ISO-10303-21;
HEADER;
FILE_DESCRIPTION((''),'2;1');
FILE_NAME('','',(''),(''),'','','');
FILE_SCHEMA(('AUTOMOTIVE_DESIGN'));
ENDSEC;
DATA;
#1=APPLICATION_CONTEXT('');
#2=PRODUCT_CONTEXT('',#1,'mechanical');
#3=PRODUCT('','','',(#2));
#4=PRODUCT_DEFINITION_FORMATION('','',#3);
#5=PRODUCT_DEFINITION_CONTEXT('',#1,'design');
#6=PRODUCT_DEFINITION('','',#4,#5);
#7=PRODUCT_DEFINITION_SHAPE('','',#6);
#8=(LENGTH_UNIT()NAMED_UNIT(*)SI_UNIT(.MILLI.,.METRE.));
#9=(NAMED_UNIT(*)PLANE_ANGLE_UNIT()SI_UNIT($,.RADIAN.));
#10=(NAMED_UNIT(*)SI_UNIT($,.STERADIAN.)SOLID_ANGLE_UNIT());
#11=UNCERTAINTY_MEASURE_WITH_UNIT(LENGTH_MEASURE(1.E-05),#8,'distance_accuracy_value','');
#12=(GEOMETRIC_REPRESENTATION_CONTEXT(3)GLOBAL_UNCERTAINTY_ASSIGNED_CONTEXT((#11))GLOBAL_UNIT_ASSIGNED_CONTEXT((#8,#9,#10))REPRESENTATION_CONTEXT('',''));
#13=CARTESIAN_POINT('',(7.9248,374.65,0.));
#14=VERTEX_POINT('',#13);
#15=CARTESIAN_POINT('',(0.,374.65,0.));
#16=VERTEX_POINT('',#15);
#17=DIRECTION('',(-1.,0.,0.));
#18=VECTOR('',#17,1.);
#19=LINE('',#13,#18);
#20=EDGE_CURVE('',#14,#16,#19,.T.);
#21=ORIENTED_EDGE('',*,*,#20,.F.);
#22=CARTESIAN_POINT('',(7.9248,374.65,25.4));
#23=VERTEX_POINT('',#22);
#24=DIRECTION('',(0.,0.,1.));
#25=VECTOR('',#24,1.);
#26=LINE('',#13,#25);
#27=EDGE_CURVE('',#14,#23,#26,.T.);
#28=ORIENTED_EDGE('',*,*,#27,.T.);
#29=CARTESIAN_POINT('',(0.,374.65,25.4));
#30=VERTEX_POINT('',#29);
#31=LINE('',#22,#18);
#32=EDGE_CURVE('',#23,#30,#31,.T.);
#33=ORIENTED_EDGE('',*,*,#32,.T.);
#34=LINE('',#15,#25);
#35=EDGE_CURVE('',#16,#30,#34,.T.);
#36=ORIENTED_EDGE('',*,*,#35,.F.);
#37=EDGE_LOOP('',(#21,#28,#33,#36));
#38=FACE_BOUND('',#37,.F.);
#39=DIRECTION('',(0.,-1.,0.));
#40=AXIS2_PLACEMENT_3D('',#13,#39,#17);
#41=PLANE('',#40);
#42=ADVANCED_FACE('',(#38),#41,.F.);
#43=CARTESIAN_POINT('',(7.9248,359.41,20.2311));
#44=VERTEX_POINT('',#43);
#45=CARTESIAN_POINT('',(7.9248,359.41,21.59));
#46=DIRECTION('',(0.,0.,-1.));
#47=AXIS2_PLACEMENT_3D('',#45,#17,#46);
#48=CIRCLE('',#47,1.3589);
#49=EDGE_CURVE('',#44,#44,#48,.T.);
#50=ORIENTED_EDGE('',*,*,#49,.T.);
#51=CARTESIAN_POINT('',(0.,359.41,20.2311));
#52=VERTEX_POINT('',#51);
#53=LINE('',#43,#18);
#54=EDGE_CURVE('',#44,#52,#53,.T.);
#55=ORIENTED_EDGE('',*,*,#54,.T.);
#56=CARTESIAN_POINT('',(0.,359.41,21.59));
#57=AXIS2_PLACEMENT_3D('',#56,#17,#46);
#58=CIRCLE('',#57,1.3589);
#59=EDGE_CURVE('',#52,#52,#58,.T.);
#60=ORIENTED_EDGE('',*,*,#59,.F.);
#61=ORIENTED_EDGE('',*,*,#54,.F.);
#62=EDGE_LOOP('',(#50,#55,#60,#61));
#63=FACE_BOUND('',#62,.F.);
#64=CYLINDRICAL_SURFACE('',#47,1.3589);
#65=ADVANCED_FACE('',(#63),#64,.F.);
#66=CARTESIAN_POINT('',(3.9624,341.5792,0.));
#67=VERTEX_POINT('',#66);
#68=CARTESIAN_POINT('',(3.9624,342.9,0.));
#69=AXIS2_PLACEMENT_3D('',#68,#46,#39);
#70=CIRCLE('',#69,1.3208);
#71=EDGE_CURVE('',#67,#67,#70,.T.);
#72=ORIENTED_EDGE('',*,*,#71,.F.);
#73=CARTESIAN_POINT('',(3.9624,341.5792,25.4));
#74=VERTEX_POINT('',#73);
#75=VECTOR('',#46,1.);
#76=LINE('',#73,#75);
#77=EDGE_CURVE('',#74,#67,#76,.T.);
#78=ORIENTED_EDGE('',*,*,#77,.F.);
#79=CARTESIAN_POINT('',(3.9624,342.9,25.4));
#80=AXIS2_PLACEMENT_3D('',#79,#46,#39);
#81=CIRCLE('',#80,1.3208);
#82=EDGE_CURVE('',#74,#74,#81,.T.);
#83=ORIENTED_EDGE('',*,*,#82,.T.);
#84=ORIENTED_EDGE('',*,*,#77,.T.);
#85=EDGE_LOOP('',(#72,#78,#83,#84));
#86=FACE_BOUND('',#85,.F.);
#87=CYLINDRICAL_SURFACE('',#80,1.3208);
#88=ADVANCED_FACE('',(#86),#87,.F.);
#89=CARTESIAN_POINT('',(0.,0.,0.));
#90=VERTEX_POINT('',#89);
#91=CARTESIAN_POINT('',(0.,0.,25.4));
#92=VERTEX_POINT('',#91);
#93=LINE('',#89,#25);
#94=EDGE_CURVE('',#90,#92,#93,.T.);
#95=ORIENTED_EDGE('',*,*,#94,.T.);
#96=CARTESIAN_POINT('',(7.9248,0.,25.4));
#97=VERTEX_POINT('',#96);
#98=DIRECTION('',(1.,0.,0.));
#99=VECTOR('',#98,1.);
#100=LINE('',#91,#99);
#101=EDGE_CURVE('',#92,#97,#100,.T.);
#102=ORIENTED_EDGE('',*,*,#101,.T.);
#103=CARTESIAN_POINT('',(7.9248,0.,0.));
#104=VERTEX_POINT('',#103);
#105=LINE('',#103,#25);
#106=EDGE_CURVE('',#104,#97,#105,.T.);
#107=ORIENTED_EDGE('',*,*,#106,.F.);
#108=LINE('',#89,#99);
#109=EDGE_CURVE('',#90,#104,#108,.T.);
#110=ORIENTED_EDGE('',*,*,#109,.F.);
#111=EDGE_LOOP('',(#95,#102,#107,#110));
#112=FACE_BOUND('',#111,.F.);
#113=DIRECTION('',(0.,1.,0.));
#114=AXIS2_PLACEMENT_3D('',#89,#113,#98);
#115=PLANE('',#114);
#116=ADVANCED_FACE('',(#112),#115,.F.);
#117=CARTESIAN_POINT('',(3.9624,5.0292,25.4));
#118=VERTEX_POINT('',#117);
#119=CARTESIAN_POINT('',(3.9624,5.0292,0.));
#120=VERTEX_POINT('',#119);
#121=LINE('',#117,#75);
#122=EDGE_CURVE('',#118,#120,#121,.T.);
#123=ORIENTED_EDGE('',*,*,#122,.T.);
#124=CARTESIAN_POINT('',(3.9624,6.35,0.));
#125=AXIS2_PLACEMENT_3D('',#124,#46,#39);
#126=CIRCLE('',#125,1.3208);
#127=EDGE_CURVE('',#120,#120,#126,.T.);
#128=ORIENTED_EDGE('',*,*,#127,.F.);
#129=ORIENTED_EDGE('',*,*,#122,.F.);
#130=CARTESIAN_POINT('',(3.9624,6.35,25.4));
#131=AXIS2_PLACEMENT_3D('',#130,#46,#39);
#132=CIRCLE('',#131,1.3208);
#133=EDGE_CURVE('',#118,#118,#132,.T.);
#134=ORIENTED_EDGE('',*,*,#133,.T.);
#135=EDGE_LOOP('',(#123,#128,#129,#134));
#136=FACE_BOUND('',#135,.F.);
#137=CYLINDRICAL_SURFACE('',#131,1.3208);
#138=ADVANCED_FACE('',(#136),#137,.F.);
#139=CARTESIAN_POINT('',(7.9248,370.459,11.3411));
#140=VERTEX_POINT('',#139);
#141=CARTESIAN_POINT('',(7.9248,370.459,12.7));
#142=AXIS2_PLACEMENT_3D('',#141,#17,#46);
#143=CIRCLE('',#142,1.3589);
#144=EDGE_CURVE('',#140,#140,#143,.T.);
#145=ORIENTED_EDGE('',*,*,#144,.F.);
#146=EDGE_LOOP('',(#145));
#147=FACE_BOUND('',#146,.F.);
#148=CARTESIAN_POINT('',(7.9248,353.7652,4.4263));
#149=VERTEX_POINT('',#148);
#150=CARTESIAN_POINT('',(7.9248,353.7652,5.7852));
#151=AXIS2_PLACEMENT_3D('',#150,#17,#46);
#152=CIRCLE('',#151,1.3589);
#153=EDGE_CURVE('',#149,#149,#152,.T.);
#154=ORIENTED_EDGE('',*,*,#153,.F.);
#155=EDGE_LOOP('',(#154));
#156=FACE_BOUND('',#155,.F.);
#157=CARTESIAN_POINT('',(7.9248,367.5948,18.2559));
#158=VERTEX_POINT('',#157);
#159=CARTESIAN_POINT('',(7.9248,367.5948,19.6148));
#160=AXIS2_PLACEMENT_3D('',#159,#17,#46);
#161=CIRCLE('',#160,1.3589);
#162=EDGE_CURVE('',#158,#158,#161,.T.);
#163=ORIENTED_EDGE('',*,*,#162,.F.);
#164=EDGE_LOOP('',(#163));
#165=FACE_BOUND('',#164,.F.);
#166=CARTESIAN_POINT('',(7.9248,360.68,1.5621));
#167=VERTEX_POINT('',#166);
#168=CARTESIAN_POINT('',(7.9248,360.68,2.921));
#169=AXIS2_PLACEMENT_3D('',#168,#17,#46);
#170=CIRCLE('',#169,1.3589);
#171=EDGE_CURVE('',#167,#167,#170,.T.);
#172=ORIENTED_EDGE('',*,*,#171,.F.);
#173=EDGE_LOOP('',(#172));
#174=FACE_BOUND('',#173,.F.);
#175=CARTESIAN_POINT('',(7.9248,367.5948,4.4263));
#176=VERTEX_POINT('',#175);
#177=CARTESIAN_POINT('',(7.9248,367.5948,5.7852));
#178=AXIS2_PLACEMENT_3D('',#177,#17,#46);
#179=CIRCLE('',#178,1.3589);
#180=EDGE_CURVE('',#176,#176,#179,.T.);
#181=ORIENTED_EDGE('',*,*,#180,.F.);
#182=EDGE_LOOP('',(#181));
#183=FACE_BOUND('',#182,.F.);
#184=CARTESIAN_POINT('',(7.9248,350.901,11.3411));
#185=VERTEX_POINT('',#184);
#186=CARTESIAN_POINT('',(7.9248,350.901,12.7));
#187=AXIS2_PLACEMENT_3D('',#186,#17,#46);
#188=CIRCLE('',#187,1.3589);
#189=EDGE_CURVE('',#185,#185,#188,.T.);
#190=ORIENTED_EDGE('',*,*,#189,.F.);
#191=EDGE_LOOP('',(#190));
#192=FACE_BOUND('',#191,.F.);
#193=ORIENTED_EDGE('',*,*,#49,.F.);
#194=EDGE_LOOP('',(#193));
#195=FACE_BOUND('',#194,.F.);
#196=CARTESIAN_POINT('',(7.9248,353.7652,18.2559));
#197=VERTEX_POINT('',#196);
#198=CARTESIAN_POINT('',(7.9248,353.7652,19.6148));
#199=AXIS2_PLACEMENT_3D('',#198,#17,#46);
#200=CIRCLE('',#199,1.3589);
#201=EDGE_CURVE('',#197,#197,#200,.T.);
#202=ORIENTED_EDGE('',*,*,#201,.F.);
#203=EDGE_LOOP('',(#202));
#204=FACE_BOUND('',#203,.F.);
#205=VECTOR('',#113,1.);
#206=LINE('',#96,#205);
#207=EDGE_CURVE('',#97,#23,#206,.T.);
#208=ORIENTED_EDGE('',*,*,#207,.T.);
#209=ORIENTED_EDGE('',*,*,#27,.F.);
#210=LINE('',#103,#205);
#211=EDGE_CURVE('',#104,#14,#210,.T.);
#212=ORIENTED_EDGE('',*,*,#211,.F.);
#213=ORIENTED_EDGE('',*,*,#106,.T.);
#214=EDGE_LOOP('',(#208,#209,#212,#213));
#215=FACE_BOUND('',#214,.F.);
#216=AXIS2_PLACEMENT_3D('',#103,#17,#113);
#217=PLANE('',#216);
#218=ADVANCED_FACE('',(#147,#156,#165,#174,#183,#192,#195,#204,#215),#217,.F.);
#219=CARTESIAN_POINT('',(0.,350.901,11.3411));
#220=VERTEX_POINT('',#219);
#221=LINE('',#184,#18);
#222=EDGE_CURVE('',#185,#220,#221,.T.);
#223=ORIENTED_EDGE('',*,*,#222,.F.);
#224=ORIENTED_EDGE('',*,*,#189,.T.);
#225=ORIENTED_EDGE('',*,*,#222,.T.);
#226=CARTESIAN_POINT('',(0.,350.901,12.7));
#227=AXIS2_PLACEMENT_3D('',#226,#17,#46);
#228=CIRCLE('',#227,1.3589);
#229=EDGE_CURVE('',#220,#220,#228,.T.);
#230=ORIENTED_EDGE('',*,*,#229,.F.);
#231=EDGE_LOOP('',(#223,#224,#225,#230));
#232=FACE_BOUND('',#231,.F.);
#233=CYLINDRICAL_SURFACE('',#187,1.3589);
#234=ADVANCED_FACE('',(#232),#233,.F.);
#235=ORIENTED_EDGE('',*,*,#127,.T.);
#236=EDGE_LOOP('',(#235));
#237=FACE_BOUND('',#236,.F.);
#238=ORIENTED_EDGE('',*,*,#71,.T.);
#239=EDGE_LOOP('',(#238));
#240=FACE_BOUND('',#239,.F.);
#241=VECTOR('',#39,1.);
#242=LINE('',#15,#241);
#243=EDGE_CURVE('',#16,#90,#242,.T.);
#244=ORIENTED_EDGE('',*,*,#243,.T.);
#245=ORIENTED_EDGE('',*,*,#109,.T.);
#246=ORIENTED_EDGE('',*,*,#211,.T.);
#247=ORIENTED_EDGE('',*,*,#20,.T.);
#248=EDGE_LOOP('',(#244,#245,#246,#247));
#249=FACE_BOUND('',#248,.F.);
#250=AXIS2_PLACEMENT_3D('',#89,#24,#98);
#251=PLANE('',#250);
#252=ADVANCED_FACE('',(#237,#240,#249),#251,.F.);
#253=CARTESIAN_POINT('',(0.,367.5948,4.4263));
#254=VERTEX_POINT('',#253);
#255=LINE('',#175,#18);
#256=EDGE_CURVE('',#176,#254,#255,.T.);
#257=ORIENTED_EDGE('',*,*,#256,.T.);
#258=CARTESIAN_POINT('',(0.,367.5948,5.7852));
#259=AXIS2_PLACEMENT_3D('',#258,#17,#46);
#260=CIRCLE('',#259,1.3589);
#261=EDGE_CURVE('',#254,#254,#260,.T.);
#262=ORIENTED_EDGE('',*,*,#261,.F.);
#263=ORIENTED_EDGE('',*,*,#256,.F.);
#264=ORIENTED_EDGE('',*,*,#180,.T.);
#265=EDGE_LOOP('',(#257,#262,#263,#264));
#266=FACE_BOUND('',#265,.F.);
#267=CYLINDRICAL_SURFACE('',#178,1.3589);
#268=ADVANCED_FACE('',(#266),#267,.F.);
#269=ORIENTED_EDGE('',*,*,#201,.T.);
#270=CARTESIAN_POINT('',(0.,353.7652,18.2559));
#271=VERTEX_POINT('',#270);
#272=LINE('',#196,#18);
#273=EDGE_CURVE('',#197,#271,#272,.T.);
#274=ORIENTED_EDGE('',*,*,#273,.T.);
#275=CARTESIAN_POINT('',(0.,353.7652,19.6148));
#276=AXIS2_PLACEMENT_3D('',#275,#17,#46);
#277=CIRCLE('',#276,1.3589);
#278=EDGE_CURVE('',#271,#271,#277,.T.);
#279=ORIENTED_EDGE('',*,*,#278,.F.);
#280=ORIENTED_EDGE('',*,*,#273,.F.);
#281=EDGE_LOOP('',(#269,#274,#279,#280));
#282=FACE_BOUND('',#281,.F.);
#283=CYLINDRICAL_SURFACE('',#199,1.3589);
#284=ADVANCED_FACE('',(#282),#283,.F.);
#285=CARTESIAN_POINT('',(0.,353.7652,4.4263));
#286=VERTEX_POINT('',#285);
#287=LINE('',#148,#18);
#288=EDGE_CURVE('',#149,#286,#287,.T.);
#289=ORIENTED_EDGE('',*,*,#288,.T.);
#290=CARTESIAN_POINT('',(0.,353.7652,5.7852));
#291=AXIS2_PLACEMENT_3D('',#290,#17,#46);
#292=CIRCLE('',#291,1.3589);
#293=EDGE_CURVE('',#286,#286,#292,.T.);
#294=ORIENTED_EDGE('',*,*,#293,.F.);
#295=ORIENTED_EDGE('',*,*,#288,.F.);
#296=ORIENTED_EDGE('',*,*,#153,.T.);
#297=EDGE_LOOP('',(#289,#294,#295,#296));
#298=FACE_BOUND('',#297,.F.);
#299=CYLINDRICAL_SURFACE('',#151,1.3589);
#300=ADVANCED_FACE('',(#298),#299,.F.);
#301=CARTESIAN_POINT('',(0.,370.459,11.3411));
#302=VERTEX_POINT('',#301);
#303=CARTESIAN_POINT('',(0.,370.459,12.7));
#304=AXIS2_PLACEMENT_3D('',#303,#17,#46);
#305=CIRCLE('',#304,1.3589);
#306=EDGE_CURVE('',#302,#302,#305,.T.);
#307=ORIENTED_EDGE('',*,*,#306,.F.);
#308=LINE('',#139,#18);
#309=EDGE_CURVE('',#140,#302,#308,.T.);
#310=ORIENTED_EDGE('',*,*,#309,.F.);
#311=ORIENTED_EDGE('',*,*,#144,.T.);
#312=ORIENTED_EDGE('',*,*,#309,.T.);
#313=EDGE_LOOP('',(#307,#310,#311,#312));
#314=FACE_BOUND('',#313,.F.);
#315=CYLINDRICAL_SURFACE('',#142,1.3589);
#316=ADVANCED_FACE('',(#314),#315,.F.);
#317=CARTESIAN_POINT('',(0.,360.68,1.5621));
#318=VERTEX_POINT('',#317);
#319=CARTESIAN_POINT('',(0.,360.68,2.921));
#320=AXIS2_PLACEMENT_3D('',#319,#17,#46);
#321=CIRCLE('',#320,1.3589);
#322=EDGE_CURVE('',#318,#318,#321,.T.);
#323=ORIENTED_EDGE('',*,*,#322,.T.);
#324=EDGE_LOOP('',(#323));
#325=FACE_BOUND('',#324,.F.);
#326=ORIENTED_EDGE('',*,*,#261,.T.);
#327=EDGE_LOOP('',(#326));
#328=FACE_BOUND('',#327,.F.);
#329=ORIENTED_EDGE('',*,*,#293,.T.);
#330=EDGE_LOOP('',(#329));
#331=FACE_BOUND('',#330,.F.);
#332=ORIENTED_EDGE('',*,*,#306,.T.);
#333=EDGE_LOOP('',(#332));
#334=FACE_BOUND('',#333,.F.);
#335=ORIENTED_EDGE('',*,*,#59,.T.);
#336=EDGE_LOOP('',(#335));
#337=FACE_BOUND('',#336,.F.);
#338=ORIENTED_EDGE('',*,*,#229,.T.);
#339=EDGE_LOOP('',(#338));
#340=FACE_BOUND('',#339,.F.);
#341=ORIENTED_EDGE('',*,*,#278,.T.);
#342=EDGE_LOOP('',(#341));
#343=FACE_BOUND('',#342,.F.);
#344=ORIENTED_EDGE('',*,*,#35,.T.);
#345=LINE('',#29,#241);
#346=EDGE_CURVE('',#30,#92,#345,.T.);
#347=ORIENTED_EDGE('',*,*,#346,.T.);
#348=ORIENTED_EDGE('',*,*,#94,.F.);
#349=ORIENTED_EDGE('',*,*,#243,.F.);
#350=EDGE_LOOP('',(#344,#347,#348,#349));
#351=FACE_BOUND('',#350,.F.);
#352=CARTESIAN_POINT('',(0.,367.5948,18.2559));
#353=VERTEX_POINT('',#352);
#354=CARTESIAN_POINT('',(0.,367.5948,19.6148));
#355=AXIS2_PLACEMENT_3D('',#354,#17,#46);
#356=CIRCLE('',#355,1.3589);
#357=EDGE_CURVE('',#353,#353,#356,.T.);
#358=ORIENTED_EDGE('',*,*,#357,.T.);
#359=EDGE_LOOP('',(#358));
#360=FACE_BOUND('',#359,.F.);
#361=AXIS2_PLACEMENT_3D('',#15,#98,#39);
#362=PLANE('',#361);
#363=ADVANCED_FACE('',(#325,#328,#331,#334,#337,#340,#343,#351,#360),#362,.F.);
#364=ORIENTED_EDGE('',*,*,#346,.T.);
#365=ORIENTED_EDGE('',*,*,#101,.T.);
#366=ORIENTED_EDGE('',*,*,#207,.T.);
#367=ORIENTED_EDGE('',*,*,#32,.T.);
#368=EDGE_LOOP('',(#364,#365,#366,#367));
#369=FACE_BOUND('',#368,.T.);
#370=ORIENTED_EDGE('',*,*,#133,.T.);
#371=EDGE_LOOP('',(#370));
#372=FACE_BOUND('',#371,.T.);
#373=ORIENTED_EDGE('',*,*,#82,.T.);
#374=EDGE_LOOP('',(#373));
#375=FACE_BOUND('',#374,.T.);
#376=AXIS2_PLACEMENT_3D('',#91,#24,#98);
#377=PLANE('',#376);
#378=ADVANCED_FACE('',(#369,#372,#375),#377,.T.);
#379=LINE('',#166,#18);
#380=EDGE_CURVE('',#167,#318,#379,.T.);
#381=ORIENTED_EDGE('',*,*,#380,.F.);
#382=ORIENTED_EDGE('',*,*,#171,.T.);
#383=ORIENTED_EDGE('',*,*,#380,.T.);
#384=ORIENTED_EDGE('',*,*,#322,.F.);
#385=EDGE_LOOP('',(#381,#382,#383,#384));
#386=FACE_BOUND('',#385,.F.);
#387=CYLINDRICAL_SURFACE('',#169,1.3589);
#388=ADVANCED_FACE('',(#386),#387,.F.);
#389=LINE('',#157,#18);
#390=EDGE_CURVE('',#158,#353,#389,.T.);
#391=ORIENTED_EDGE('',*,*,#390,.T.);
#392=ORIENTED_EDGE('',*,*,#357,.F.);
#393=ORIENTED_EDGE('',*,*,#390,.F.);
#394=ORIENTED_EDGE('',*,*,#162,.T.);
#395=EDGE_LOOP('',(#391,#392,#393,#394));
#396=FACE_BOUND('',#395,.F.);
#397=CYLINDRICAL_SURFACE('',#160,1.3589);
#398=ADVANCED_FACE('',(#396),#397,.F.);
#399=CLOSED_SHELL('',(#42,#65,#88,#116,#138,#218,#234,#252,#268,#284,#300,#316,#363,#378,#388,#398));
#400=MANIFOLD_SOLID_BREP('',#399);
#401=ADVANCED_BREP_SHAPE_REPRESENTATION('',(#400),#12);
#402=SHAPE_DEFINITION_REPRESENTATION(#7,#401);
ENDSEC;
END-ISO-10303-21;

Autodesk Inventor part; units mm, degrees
ref_plane "YZ Plane" through (0, 0, 0) normal (1, 0, 0) x (0, 1, 0)
ref_plane "XZ Plane" through (0, 0, 0) normal (0, 1, 0) x (-1, 0, 0)
ref_plane "XY Plane" through (0, 0, 0) normal (0, 0, 1) x (1, 0, 0)
sketch "Sketch1" plane through (0, 0, 0) normal (0, 0, 1) x (1, 0, 0)
  line L0 (0, 0) -> (7.9248, 0)
  line L1 (7.9248, 0) -> (7.9248, 374.65)
  line L2 (7.9248, 374.65) -> (0, 374.65)
  line L3 (0, 374.65) -> (0, 0)
  dimension "d0" = 7.9248
  dimension "d1" = 374.65
extrude "Extrusion1" add sketch "Sketch1" along normal blind 25.4
sketch "Sketch2" plane through (0, 0, 25.4) normal (0, 0, 1) x (1, 0, 0)
  line L0 (0, 0) -> (7.9248, 0) projected
  line L1 (3.9624, 0) -> (3.9624, 6.35)
  circle A0 centre (3.9624, 6.35) radius 1.778
  line L2 (7.9248, 374.65) -> (0, 374.65) projected
  line L3 (3.9624, 374.65) -> (3.9624, 342.9)
  circle A1 centre (3.9624, 342.9) radius 1.778
  dimension "d4" = 6.35
  dimension "d5" = 3.556
  dimension "d6" = 31.75
  dimension "d7" = 3.556
hole "Hole1" at (3.9624, 342.9, 25.4) at (3.9624, 6.35, 25.4) direction (0, 0, -1) diameter 2.6416 depth 25.4 tip angle 118 thread size "6-32 UNC" class "2B" standard "ANSI Unified Screw Threads"
sketch "Sketch3" plane through (7.9248, 0, 0) normal (1, 0, 0) x (0, 0, -1)
  line L0 (0, 374.65) -> (-25.4, 374.65) projected
  circle A0 centre (-12.7, 360.68) radius 9.779
  point P0 (0, 0)
  point P1 (-21.59, 359.41)
  point P2 (-12.7, 370.459)
  point P3 (-19.6148, 367.5948)
  point P4 (-22.479, 360.68)
  point P5 (-19.6148, 353.7652)
  point P6 (-12.7, 350.901)
  point P7 (-5.7852, 353.7652)
  point P8 (-2.921, 360.68)
  point P9 (-5.7852, 367.5948)
  dimension "d36" = 19.558
  dimension "d35" = 13.97
  dimension "d39" = 360
hole "Hole2" at (7.9248, 359.41, 21.59) at (7.9248, 367.5948, 19.6148) at (7.9248, 370.459, 12.7) at (7.9248, 367.5948, 5.7852) at (7.9248, 360.68, 2.921) at (7.9248, 353.7652, 5.7852) at (7.9248, 350.901, 12.7) at (7.9248, 353.7652, 19.6148) direction (-1, 0, 0) diameter 2.7178 depth 25.4 tip angle 118
properties part number "GlyphPlateLeftSide"
